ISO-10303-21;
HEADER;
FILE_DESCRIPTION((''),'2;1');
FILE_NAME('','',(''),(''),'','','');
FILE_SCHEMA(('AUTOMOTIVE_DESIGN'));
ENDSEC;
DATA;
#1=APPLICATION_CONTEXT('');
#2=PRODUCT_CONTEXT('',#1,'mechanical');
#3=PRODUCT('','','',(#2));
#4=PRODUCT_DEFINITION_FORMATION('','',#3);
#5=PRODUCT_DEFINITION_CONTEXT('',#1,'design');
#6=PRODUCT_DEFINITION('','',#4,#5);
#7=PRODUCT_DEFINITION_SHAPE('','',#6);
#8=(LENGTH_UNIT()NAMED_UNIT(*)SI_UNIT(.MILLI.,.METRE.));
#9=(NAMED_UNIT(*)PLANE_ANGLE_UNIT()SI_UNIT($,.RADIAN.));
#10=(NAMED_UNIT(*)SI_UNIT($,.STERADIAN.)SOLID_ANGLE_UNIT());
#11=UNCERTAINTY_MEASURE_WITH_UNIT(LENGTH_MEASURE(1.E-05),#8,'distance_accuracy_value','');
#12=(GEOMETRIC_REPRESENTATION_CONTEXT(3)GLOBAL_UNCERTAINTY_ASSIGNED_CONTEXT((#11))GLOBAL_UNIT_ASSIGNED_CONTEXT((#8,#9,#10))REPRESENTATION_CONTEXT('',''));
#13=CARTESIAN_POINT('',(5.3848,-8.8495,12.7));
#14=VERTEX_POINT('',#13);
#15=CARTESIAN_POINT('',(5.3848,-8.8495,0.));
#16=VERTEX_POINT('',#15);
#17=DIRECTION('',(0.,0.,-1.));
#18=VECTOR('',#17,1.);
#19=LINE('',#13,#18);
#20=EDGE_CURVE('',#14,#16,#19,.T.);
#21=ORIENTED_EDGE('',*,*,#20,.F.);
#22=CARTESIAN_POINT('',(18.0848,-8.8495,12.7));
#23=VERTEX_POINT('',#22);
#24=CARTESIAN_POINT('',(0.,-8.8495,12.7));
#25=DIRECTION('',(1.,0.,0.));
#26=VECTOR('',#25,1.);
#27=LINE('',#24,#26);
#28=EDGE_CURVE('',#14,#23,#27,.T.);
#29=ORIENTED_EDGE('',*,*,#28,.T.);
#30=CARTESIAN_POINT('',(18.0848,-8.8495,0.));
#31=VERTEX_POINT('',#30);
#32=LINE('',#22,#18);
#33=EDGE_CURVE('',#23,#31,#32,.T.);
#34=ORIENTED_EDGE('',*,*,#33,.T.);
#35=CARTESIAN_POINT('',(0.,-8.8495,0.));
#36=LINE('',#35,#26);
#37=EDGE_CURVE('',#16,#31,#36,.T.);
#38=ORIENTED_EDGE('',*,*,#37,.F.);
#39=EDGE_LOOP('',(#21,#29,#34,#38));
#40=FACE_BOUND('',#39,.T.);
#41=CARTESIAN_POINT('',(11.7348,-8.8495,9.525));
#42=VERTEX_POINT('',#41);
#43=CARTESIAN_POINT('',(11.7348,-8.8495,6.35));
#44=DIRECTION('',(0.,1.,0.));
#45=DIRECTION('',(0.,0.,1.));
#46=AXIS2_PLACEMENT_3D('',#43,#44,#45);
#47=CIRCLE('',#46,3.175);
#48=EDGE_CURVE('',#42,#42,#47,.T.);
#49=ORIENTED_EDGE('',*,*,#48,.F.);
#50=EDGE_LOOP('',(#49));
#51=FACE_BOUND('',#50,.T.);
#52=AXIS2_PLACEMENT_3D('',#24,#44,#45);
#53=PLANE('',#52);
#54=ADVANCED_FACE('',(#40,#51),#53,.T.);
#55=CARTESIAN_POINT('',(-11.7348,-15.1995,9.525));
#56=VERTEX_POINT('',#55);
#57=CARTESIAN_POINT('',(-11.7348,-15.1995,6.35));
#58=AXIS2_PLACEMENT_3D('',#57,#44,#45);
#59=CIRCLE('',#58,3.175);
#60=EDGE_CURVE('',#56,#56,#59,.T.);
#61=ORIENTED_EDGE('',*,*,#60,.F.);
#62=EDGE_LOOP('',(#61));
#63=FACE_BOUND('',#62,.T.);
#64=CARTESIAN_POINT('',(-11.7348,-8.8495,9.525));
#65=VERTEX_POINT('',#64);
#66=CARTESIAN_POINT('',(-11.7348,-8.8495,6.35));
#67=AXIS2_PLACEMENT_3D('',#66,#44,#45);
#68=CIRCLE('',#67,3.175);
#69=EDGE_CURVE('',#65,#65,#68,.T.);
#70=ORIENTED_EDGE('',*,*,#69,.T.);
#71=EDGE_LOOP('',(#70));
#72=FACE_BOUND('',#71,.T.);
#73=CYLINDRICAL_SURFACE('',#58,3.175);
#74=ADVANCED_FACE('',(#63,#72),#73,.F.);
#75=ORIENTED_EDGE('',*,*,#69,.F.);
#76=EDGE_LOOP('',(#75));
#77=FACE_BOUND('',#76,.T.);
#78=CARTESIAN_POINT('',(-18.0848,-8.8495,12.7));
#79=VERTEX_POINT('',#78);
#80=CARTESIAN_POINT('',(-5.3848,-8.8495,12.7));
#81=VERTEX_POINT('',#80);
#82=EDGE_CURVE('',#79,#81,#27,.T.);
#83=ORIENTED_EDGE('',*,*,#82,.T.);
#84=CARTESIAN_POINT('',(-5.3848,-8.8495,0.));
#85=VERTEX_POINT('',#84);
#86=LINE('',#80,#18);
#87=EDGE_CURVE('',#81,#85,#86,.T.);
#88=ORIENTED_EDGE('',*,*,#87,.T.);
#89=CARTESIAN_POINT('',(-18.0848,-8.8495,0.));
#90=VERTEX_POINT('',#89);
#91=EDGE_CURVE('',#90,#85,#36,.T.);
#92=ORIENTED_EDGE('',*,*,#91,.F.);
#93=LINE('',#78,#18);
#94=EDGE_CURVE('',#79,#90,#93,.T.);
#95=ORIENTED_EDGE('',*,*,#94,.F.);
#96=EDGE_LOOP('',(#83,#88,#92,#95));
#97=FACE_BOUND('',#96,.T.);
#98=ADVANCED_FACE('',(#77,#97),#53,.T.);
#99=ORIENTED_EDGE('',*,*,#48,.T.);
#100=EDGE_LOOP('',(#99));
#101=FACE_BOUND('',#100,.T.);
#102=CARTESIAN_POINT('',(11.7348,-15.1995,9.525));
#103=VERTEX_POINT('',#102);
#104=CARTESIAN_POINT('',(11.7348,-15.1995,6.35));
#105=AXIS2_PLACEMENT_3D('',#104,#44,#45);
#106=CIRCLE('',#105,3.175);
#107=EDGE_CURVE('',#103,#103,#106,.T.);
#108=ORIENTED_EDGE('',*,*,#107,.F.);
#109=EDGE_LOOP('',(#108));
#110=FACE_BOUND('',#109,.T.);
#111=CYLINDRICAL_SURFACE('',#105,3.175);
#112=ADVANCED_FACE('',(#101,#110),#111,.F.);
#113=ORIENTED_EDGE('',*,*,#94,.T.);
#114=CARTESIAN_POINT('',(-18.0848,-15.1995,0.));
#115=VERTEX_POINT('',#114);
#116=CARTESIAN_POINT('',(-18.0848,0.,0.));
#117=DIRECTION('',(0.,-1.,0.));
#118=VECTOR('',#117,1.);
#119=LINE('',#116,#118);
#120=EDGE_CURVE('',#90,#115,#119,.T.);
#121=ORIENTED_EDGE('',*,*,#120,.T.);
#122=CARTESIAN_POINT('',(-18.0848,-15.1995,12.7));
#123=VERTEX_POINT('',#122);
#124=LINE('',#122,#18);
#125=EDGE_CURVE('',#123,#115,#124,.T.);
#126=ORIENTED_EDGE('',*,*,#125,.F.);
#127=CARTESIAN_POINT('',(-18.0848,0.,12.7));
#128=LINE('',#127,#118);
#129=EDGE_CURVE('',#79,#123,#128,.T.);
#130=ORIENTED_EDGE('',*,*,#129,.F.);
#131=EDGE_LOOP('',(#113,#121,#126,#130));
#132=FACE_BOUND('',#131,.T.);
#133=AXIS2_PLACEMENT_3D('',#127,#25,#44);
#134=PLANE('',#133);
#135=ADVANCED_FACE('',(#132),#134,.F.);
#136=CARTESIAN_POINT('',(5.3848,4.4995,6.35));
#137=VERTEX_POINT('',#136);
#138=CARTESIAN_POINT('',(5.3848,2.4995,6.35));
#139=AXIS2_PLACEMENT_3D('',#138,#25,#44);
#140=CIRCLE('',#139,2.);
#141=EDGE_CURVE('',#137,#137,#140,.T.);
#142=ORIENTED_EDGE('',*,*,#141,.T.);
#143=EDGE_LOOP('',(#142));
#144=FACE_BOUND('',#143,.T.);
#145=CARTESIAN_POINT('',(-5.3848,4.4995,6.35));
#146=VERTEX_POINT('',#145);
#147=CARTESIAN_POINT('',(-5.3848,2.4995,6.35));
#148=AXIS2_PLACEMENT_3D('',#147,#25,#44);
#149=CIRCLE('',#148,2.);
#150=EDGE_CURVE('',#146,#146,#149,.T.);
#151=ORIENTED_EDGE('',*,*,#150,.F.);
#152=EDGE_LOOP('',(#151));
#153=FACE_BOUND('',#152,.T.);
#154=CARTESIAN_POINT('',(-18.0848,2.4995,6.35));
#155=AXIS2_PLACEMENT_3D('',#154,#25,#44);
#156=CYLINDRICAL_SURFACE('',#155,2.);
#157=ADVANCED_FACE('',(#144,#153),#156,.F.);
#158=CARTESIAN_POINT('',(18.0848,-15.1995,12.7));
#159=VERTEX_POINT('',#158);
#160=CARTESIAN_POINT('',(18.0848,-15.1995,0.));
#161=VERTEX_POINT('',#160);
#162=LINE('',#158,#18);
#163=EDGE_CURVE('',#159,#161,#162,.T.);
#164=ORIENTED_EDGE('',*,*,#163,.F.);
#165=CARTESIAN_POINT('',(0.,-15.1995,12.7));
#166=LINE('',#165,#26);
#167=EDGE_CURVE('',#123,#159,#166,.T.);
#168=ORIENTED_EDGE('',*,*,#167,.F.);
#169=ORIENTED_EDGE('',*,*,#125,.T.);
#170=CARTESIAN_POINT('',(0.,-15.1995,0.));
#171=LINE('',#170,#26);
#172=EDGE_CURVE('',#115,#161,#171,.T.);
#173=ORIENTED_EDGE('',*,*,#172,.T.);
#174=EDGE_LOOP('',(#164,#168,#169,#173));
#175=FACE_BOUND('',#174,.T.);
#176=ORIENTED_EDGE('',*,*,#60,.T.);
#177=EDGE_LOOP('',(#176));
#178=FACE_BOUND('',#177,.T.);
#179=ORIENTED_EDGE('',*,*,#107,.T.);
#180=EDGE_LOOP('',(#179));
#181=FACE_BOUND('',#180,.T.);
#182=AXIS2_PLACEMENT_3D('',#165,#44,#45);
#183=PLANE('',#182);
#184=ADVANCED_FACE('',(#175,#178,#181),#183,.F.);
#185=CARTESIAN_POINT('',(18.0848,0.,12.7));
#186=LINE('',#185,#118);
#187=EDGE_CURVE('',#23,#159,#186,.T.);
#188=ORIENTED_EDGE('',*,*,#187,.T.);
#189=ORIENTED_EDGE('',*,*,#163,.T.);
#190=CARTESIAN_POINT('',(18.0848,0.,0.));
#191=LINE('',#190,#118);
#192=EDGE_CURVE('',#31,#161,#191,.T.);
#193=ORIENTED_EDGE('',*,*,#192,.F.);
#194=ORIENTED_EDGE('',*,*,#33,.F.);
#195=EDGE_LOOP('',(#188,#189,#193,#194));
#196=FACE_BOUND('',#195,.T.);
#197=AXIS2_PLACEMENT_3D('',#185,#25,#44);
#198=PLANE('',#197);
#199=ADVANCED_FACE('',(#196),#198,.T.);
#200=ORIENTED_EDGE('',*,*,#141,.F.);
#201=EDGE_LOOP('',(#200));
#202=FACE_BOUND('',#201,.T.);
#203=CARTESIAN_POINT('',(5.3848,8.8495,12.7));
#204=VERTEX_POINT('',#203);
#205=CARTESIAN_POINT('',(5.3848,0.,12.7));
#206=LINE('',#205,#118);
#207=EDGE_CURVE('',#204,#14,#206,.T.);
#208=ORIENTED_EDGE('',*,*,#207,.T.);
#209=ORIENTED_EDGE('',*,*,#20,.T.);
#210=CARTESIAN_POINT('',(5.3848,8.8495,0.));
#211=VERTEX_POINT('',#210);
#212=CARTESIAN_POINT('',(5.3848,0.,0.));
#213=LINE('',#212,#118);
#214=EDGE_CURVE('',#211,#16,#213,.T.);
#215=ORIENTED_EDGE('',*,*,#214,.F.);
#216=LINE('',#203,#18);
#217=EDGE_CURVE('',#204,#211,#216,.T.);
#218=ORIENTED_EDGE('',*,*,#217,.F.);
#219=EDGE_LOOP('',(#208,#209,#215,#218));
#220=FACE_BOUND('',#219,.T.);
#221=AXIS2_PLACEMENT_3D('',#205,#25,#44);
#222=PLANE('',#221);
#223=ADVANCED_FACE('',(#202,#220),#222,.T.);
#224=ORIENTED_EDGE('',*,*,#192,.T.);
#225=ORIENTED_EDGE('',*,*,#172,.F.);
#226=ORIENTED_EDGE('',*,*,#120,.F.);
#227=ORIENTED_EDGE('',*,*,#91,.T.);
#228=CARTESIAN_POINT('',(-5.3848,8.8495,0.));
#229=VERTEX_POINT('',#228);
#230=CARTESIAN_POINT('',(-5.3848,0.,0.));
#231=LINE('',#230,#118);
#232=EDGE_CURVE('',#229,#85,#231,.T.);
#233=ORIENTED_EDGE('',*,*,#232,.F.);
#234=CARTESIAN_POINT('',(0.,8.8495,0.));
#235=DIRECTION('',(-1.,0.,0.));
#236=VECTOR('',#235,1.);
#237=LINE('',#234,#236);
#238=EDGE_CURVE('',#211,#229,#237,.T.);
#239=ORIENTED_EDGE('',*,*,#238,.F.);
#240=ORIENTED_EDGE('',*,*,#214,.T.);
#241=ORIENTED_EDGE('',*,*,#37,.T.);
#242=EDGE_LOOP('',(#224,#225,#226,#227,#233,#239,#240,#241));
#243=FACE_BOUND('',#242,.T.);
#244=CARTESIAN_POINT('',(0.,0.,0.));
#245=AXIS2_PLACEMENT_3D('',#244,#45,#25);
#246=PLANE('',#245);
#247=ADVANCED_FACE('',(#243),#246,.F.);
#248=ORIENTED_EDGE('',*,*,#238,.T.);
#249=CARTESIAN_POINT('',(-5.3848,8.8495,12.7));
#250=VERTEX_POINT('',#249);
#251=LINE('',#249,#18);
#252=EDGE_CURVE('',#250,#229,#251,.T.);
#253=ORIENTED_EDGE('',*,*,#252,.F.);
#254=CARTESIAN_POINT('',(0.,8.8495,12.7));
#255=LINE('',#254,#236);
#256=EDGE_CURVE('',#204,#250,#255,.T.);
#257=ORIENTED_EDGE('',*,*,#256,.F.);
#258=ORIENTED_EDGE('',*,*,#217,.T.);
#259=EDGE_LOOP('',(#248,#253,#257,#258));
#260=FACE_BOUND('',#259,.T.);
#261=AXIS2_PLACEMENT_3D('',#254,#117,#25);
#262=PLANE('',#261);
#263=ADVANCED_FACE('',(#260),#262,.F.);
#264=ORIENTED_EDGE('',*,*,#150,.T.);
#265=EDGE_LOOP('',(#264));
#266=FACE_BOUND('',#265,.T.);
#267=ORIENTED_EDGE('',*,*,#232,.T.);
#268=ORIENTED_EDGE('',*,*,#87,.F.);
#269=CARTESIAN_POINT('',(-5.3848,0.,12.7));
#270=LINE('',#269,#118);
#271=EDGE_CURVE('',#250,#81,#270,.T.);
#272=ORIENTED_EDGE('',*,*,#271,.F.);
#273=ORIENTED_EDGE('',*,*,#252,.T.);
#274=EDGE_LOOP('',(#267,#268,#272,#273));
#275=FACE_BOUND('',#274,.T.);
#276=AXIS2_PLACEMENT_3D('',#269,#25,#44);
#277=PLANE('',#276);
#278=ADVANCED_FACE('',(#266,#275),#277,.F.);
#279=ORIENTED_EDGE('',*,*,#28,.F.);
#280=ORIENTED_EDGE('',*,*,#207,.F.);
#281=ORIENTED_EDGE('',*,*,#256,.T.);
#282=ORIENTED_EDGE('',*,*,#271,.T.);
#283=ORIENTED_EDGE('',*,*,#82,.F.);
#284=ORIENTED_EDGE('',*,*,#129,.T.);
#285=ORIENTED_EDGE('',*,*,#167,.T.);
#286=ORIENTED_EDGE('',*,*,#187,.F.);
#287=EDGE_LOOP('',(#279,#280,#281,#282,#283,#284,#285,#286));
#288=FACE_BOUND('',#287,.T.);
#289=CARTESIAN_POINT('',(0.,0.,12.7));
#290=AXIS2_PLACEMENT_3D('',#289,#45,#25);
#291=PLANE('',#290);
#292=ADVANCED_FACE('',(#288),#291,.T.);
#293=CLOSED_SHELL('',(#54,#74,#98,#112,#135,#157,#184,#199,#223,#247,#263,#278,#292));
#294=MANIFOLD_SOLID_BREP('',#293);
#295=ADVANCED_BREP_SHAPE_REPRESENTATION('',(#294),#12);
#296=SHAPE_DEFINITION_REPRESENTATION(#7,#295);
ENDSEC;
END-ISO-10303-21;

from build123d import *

# Parameters (mm, degrees)
SKETCH1_W           = 10.7696
SKETCH1_H           = 17.699
BOSS_EXTRUDE1_DEPTH = 12.7
SKETCH5_R           = 2
CUT_EXTRUDE2_DEPTH  = 24.4696
SKETCH6_R           = 3.175
CUT_EXTRUDE3_DEPTH  = 7.35


with BuildPart() as part:
    # Sketch1 → Boss-Extrude1 (new body)
    with BuildSketch(Plane.XY):
        Polygon((18.0848, -8.8495), (5.3848, -8.8495), (-5.3848, -8.8495), (-18.0848, -8.8495), (-18.0848, -15.1995), (18.0848, -15.1995), align=None)
        Rectangle(SKETCH1_W, SKETCH1_H)
    extrude(amount=BOSS_EXTRUDE1_DEPTH)

    # Sketch5 → Cut-Extrude2 (cut, through all)
    with BuildSketch(Plane(origin=(5.3848, 0, 0), x_dir=(0, 0, -1), z_dir=(1, 0, 0))):
        with Locations((-6.35, 2.4995)):
            Circle(SKETCH5_R)
    extrude(amount=-CUT_EXTRUDE2_DEPTH, mode=Mode.SUBTRACT)

    # Sketch6 → Cut-Extrude3 (cut, through all)
    with BuildSketch(Plane(origin=(0, -8.8495, 0), x_dir=(1, 0, 0), z_dir=(0, 1, 0))):
        with Locations((-11.7348, -6.35)):
            Circle(SKETCH6_R)
        with Locations((11.7348, -6.35)):
            Circle(SKETCH6_R)
    extrude(amount=-CUT_EXTRUDE3_DEPTH, mode=Mode.SUBTRACT)


solid = part.part
